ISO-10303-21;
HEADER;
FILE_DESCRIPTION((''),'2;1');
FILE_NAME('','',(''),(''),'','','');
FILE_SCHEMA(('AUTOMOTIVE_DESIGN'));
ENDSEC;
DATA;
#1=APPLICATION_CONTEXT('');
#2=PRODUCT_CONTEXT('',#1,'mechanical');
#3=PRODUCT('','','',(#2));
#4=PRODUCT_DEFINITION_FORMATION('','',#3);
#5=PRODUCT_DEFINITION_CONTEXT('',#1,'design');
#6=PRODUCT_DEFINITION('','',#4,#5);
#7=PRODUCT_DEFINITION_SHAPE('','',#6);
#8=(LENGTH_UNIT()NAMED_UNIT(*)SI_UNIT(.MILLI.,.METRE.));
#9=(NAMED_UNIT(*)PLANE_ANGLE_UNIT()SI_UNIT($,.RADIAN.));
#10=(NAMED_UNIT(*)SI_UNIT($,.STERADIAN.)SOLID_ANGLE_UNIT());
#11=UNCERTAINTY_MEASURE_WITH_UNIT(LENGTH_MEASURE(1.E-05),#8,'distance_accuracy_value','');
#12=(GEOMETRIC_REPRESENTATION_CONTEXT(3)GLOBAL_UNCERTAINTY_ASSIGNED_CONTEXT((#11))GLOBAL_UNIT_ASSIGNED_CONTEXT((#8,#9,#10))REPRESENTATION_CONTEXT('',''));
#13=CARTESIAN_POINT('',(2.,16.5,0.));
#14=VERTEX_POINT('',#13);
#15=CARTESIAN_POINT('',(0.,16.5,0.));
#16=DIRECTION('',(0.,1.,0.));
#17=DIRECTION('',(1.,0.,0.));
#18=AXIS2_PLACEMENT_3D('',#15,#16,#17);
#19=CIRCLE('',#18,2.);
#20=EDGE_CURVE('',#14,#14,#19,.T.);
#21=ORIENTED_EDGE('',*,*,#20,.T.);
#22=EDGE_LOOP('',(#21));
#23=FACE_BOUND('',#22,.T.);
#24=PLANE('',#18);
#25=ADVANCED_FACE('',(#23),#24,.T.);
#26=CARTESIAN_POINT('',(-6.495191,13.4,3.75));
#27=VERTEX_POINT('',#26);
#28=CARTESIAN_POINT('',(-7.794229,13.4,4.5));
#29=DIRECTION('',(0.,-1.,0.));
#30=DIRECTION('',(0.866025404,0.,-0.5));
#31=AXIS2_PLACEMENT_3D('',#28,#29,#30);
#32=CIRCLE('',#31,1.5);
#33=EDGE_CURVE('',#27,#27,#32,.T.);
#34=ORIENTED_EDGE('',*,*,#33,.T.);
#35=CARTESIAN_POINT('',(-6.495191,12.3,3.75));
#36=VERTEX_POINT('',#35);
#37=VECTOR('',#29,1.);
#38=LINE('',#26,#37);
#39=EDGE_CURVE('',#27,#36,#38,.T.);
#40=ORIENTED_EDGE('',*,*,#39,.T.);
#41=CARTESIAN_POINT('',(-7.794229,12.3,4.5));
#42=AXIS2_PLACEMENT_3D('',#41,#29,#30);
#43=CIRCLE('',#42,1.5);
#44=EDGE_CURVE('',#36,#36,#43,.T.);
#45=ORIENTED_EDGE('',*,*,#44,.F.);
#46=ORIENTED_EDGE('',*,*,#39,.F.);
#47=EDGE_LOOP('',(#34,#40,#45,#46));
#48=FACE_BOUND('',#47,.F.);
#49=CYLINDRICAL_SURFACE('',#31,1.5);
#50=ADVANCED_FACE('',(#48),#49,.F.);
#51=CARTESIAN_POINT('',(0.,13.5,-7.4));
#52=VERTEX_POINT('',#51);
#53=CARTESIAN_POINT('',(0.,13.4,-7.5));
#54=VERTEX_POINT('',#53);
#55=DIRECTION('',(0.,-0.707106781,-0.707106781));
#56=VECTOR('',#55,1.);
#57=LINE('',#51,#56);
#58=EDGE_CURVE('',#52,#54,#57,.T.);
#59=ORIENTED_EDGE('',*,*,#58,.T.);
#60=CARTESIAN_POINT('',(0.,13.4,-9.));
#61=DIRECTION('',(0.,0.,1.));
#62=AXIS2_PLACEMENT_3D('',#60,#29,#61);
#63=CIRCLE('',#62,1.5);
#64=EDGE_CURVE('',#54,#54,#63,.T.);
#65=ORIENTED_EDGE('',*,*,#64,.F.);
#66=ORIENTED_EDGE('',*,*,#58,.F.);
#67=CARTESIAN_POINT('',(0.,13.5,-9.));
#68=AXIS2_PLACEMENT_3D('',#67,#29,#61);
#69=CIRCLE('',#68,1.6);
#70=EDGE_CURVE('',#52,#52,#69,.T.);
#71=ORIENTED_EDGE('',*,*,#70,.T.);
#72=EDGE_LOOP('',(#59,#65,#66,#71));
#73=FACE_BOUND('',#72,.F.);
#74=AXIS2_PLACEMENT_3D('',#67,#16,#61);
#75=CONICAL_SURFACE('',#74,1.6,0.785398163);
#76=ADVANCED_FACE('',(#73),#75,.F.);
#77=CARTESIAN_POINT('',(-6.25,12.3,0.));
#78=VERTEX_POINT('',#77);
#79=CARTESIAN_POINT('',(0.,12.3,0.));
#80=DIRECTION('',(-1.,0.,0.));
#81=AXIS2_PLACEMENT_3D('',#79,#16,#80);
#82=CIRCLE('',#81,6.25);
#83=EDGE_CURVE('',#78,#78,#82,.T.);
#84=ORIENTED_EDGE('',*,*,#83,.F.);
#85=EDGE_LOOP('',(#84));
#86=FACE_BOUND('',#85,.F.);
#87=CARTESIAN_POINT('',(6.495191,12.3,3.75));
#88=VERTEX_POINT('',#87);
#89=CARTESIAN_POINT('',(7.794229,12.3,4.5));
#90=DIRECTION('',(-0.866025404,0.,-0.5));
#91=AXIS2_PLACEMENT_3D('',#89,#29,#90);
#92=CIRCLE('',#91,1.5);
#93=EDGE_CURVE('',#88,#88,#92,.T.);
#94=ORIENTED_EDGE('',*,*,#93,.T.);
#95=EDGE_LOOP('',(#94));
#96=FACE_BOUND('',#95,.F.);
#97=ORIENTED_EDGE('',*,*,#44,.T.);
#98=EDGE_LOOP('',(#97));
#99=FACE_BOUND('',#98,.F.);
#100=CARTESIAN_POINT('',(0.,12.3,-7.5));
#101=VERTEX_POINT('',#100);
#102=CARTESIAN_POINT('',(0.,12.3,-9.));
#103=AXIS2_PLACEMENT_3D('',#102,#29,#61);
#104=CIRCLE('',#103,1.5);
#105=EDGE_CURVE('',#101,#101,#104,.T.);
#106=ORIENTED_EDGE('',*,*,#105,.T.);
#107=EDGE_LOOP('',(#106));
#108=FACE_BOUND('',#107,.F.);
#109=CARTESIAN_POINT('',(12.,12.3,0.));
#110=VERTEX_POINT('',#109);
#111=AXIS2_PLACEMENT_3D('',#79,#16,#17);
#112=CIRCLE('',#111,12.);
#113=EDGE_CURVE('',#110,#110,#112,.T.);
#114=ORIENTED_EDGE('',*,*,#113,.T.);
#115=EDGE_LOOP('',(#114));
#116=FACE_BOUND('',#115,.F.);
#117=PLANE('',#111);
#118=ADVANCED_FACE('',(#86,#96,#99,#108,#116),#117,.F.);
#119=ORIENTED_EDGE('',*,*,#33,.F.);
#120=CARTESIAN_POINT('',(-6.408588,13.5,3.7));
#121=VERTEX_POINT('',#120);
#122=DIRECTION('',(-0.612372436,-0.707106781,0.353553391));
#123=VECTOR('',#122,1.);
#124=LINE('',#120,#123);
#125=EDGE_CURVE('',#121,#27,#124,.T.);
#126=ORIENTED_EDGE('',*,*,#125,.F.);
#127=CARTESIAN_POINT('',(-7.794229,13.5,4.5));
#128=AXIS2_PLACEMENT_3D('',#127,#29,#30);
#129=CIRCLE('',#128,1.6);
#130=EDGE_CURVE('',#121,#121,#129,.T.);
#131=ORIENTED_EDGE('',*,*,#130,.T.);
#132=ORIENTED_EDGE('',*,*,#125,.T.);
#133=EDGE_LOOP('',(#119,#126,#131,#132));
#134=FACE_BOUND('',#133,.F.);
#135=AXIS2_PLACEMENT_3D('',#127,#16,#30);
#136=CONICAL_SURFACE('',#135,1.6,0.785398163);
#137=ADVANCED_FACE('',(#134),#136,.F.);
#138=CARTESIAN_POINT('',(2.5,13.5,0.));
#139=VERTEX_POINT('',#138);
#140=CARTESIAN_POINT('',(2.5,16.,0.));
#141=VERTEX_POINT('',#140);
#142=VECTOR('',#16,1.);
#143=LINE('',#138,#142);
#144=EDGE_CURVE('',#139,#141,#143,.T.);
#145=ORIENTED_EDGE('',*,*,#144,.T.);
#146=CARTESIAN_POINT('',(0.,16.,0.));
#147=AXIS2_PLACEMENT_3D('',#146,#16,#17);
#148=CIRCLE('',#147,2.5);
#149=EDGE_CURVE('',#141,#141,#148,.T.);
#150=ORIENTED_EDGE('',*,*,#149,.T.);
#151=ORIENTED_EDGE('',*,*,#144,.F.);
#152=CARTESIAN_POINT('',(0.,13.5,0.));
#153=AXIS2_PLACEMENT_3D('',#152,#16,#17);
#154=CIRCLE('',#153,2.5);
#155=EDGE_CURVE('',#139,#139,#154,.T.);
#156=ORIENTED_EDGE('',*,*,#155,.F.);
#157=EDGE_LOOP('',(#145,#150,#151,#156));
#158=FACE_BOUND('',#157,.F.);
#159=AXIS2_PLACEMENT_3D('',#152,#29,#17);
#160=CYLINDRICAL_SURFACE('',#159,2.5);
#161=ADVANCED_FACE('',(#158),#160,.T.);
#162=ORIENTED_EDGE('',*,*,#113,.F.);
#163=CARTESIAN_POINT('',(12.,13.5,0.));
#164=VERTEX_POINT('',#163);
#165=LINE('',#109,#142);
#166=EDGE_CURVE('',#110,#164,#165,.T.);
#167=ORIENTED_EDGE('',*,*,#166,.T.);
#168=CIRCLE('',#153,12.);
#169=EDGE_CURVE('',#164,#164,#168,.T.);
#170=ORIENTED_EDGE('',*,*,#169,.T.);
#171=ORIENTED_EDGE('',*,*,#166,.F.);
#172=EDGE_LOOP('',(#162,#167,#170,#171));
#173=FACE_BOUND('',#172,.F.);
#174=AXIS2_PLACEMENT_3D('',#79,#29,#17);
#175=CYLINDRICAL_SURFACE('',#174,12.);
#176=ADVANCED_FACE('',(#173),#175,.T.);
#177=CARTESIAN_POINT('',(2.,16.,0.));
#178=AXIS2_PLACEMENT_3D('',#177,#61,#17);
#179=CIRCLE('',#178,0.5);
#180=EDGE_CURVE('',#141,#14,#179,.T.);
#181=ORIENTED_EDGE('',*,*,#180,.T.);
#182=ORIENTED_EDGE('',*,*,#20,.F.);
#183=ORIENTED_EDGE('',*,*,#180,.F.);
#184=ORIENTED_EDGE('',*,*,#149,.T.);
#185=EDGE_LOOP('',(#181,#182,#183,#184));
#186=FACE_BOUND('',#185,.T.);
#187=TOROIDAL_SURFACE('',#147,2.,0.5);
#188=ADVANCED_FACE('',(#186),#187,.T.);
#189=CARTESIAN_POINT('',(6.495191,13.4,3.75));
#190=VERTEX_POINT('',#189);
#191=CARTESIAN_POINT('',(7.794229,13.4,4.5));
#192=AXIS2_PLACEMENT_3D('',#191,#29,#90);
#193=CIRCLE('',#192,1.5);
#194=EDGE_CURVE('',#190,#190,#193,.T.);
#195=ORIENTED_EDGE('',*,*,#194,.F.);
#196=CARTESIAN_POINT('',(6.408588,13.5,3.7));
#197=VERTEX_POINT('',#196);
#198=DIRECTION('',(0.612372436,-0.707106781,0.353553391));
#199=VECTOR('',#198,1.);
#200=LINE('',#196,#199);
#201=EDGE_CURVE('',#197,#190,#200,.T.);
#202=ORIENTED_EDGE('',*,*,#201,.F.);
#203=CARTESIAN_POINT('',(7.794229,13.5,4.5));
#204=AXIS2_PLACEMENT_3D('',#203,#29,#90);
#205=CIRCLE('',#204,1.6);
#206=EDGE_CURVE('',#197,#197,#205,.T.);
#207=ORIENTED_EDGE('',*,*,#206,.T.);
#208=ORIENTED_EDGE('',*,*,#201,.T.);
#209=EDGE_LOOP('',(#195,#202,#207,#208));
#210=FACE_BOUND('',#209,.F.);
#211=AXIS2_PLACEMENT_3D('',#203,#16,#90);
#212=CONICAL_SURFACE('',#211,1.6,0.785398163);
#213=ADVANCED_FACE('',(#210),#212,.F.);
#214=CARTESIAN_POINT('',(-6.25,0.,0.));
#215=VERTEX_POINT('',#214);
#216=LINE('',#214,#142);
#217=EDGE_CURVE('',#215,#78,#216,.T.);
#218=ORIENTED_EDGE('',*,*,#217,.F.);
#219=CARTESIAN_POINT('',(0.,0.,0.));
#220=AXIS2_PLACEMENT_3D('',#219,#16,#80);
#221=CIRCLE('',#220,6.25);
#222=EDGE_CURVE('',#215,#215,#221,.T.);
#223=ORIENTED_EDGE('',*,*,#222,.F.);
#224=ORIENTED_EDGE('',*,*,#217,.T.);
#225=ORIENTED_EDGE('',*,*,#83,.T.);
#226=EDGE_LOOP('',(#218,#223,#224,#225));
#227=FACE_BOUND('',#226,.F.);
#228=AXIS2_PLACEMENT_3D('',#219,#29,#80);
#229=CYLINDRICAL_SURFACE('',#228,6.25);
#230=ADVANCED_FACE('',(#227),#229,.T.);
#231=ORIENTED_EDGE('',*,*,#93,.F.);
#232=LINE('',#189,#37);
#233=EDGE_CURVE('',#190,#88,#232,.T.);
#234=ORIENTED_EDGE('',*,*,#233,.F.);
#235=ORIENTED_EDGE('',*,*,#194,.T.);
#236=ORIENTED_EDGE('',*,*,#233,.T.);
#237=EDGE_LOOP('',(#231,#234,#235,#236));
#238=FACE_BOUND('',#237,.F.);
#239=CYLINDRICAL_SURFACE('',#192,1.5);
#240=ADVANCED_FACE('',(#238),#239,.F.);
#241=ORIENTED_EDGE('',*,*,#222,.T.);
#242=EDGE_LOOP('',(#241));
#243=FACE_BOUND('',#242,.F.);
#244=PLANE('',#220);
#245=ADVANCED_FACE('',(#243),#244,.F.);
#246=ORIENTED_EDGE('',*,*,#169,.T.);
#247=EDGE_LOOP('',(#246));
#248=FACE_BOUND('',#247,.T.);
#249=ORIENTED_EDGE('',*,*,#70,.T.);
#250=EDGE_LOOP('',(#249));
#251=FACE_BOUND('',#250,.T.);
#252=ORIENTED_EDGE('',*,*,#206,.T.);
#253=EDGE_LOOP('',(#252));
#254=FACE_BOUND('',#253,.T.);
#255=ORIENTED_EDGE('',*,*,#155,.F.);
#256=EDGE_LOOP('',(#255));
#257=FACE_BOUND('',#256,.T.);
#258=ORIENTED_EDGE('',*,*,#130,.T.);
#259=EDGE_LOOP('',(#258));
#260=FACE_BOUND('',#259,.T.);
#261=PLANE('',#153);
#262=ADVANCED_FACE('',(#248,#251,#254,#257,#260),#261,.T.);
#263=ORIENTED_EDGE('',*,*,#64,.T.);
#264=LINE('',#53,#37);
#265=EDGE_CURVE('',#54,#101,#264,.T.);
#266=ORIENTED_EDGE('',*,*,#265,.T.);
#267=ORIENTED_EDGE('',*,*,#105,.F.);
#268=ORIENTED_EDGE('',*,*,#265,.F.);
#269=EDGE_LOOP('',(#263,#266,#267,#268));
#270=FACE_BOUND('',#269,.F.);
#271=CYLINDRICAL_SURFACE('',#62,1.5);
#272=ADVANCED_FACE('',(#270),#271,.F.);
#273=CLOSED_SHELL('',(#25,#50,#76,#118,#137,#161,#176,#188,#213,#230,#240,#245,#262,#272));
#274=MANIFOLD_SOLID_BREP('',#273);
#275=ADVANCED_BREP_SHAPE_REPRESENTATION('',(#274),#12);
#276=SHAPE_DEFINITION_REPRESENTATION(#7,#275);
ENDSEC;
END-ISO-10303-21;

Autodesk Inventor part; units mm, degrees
ref_plane "YZ Plane" through (0, 0, 0) normal (1, 0, 0) x (0, 1, 0)
ref_plane "XZ Plane" through (0, 0, 0) normal (0, 1, 0) x (-1, 0, 0)
ref_plane "XY Plane" through (0, 0, 0) normal (0, 0, 1) x (1, 0, 0)
sketch "Sketch1" plane through (0, 0, 0) normal (0, 1, 0) x (-1, 0, 0)
  circle A0 centre (0, 0) radius 6.25
  dimension "d0" = 12.5
extrude "Extrusion1" add sketch "Sketch1" along normal blind 12.3
sketch "Sketch2" plane through (0, 12.3, 0) normal (0, 1, 0) x (1, 0, 0)
  circle A0 centre (0, 0) radius 12
  dimension "d3" = 24
extrude "Extrusion2" add sketch "Sketch2" along normal blind 1.2
sketch "Sketch3" plane through (0, 13.5, 0) normal (0, 1, 0) x (1, 0, 0)
  line L0 (0, 0) -> (0, 9)
  dimension "d15" = 9
hole "Hole1" at (0, 13.5, -9) direction (0, -1, 0) diameter 3 end through all countersink diameter 3.2 countersink angle 90
pattern_circular "Circular Pattern1" count 3 over 360 about axis through (0, 0, 0) along (0, 1, 0) of "Hole1"
sketch "Sketch4" plane through (0, 13.5, 0) normal (0, 1, 0) x (1, 0, 0)
  circle A0 centre (0, 0) radius 2.5
  dimension "d19" = 5
extrude "Extrusion3" add sketch "Sketch4" along normal blind 3
fillet "Fillet1" radius 0.5 1 edges at (-2.5, 16.5, 0)
properties part number "slipRing"
